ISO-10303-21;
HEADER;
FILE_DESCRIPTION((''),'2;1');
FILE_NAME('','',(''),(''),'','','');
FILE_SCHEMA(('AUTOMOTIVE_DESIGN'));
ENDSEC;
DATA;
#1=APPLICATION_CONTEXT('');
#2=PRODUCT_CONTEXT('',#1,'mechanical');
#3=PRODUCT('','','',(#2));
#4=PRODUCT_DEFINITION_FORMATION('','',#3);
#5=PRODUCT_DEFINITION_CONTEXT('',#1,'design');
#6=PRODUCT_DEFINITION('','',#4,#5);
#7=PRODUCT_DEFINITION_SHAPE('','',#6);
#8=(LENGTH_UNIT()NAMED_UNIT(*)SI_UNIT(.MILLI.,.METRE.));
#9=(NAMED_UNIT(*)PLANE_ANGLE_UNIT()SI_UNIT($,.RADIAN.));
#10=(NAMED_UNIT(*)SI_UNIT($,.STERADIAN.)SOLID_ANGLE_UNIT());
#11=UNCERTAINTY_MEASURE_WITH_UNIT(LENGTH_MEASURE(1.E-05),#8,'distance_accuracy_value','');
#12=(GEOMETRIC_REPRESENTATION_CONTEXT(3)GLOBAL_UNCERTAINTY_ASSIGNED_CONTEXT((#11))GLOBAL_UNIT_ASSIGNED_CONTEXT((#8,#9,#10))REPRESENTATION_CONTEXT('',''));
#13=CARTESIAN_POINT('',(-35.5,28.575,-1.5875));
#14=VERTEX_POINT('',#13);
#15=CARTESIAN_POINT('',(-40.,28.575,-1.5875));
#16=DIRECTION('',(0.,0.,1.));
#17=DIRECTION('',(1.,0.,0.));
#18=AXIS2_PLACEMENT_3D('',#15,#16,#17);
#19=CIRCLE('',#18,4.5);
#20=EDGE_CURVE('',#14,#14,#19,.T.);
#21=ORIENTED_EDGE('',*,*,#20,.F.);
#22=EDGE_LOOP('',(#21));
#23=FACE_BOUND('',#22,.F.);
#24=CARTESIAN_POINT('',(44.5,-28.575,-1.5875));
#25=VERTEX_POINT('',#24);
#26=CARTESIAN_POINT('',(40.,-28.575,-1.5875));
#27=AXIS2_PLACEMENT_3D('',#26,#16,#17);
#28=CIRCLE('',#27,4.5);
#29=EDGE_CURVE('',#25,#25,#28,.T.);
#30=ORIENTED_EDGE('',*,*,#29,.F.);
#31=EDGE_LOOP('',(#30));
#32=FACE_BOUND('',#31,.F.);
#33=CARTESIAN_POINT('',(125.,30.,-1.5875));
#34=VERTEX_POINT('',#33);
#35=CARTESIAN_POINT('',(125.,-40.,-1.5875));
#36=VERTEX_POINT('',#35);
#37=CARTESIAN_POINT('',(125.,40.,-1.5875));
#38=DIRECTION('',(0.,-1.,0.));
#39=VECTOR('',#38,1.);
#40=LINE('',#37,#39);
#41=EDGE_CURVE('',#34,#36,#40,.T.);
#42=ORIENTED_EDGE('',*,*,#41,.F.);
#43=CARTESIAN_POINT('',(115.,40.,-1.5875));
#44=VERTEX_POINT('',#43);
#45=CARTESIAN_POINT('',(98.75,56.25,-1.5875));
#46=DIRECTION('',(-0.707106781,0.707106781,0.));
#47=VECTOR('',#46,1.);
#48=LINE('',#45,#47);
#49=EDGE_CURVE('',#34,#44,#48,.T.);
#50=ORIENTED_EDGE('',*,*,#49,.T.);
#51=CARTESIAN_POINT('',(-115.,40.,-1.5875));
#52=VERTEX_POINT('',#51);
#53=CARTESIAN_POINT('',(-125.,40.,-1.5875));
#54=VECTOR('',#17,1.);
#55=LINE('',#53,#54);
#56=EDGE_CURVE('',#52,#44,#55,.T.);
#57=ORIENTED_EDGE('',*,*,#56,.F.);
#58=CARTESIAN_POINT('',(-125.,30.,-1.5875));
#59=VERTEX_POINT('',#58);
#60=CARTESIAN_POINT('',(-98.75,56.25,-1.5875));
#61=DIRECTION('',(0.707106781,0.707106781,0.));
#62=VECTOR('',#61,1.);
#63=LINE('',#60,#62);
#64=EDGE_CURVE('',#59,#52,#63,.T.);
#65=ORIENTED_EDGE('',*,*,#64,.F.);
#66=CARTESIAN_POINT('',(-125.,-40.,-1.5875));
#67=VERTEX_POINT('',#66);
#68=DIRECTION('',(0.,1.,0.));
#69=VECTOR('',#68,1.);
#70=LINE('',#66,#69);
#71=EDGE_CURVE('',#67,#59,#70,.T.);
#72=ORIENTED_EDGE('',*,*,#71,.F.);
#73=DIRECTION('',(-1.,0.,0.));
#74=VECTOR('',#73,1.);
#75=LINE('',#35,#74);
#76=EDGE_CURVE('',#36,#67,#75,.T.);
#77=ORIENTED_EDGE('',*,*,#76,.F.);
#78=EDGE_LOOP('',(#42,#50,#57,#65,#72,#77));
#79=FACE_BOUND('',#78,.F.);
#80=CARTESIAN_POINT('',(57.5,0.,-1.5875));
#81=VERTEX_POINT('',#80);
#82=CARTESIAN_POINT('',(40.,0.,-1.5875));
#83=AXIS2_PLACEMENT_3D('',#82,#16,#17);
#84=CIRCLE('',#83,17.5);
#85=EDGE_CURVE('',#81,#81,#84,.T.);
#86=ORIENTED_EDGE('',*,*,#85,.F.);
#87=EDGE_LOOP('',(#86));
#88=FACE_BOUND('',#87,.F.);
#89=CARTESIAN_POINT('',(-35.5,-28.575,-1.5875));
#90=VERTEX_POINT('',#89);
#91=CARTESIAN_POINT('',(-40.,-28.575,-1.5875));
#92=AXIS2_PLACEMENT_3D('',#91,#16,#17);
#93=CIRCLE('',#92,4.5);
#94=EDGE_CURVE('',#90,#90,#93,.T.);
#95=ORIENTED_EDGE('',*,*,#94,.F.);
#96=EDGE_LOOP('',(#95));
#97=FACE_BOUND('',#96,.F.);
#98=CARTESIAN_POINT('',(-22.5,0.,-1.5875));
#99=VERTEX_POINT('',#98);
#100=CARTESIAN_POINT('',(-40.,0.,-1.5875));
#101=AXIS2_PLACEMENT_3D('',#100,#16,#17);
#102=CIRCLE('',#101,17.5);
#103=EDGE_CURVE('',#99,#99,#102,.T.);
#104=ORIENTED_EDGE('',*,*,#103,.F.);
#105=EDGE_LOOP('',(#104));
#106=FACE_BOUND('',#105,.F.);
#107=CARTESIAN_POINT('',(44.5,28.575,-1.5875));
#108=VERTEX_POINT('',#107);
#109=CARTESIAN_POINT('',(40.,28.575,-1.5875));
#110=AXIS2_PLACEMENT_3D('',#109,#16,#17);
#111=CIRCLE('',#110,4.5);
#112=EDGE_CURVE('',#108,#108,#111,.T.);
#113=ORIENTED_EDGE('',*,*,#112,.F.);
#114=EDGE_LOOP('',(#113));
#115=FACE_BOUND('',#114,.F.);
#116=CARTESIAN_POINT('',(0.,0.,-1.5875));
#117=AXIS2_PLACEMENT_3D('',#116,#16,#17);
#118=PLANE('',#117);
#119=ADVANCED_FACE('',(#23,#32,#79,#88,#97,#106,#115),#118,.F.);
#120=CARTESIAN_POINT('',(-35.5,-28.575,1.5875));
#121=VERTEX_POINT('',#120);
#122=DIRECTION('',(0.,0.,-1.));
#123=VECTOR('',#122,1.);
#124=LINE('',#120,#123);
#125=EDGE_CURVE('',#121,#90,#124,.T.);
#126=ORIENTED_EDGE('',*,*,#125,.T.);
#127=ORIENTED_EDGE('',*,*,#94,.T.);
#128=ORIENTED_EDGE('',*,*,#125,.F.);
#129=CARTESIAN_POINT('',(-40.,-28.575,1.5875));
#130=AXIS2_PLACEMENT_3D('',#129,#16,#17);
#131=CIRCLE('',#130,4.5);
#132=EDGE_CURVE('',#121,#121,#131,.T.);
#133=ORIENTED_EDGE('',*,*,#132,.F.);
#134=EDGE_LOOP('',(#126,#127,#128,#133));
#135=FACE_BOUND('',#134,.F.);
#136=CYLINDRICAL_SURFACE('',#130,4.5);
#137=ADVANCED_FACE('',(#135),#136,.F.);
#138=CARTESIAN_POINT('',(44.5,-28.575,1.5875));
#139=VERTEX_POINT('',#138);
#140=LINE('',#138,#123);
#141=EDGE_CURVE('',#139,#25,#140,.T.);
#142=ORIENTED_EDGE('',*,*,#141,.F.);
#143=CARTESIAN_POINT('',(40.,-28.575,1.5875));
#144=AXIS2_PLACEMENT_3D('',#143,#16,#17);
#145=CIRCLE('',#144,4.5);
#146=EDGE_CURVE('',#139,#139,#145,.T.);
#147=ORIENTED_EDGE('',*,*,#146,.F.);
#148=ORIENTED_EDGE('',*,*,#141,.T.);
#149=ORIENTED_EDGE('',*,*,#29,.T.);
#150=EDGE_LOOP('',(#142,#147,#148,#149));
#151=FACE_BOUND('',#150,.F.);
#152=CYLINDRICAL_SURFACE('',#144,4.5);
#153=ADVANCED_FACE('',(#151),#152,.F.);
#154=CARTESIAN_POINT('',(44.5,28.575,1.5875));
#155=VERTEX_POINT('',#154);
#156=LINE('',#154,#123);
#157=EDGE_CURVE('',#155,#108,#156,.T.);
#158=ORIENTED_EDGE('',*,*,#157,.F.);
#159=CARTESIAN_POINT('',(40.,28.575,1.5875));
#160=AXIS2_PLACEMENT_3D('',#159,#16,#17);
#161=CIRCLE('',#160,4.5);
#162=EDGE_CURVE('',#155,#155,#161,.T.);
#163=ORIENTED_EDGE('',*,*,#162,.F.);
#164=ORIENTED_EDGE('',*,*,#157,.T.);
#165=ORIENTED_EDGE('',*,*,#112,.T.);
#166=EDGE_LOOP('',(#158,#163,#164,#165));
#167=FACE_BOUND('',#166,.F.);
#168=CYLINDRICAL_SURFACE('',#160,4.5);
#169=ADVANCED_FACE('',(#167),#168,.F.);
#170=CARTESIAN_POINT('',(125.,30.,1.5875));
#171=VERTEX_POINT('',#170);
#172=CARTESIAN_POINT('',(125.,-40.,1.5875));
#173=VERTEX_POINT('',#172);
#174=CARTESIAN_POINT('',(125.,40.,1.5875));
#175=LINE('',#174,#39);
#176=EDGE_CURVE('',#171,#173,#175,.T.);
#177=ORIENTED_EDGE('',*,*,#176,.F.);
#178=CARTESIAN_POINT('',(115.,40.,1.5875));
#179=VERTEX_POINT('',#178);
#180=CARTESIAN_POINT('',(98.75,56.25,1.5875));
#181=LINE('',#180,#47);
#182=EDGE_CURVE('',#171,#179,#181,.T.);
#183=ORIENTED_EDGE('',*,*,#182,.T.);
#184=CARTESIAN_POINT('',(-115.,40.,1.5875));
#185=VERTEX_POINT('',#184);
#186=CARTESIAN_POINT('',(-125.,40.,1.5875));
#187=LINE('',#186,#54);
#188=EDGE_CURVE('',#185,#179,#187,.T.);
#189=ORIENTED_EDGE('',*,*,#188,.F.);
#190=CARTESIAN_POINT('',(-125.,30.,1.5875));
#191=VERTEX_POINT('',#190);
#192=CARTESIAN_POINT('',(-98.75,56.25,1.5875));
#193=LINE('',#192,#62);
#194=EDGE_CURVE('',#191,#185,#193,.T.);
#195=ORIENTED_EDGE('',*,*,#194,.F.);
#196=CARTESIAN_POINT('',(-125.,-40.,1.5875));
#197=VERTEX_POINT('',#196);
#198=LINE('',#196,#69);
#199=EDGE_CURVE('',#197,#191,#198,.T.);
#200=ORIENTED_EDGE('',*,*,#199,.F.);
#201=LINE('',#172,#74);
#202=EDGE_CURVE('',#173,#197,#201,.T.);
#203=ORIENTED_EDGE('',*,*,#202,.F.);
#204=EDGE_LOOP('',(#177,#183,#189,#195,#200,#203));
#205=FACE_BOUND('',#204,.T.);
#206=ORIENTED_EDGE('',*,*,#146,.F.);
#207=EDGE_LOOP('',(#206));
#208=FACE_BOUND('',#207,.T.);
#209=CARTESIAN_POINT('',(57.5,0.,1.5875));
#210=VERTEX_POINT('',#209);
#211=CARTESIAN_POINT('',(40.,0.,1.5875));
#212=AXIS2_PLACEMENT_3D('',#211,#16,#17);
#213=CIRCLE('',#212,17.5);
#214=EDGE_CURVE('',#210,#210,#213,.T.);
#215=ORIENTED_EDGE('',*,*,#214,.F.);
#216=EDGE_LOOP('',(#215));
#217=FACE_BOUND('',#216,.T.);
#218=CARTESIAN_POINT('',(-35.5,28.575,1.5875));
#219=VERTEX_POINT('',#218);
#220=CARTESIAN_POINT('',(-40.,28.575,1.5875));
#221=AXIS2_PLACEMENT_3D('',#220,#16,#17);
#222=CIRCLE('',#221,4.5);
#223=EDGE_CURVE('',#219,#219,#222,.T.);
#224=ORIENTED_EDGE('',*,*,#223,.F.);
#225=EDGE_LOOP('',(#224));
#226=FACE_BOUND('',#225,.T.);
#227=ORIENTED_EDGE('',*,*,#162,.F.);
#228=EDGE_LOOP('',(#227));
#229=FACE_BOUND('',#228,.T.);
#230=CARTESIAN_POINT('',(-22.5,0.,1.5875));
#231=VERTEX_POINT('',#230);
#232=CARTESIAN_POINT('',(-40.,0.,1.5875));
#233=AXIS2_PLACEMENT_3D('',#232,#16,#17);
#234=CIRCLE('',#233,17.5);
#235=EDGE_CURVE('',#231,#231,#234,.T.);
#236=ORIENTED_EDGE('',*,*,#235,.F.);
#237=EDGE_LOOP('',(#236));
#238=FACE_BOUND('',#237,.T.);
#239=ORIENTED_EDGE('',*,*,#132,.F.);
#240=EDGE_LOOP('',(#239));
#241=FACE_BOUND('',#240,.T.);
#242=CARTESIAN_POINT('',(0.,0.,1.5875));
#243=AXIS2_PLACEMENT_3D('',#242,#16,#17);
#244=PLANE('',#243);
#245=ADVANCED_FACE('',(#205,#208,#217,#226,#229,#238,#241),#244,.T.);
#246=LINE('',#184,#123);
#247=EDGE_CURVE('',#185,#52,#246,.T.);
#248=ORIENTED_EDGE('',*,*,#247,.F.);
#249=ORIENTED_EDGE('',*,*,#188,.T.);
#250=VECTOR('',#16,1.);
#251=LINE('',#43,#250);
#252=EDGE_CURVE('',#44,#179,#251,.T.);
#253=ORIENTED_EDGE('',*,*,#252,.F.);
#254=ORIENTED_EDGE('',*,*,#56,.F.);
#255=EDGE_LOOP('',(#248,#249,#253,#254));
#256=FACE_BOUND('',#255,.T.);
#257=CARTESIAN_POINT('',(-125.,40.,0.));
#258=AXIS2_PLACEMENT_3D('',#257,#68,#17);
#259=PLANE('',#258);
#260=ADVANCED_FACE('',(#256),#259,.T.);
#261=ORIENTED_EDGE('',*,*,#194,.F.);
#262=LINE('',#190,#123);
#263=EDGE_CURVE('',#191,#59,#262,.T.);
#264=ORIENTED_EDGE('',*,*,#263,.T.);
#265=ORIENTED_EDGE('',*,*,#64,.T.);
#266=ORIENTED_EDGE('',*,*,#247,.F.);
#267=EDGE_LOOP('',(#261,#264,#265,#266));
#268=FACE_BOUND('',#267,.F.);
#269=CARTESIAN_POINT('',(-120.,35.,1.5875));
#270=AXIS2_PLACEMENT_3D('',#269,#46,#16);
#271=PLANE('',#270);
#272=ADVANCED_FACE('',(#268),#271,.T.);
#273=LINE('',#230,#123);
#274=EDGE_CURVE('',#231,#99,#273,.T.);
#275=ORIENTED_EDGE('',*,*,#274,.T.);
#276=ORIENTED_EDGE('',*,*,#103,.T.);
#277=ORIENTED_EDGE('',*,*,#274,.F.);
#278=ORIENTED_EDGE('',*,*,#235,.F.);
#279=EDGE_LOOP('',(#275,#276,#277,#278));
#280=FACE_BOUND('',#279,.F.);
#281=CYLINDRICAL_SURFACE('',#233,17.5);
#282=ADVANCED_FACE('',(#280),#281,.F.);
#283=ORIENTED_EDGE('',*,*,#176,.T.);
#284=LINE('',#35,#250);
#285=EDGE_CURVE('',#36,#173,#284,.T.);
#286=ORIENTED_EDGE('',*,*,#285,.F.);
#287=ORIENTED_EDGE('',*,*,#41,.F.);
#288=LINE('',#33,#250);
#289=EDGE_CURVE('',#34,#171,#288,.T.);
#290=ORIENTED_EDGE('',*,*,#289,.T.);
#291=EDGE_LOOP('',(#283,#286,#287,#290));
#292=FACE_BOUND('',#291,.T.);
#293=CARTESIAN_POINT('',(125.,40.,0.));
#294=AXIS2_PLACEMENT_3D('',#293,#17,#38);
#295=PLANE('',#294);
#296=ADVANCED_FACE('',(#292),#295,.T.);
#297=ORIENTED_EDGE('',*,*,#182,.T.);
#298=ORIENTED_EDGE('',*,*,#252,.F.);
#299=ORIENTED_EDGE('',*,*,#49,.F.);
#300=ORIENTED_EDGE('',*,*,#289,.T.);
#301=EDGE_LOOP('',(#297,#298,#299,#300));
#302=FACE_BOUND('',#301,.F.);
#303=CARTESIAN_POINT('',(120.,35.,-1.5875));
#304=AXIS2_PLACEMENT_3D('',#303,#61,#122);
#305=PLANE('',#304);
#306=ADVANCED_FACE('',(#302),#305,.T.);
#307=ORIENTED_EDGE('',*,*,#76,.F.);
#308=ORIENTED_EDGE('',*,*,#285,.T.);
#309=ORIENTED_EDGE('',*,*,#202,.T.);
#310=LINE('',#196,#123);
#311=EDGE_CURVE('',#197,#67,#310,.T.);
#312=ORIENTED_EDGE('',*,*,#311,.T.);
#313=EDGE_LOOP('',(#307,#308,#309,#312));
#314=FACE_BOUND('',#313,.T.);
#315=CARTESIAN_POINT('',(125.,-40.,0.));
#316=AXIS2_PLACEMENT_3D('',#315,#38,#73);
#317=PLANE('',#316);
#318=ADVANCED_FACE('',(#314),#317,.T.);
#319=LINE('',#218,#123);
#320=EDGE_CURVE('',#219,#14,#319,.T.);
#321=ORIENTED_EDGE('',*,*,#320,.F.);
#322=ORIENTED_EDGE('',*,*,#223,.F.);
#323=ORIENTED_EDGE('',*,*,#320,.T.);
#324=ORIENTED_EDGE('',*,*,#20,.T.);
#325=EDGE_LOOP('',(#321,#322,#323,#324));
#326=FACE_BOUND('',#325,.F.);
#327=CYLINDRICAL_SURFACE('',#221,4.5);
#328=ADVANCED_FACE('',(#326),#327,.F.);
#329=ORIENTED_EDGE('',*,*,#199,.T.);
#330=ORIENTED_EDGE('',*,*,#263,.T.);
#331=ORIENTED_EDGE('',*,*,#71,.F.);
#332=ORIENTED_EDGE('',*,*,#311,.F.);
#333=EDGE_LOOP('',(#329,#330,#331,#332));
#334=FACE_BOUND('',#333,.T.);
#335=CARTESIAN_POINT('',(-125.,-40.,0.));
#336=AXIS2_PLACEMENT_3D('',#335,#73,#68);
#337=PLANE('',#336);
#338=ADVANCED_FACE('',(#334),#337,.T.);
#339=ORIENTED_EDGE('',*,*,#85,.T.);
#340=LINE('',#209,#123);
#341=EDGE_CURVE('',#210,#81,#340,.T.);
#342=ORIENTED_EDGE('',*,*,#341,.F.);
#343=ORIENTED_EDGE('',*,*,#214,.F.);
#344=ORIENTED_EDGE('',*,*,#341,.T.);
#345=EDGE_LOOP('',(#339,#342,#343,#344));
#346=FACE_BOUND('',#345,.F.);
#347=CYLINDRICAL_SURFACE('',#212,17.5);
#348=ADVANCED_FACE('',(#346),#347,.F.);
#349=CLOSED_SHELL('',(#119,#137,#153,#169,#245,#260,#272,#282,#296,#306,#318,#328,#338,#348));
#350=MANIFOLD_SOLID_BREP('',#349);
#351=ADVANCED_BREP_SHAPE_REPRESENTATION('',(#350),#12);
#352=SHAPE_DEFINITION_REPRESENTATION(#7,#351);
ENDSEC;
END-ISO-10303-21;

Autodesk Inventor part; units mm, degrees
ref_plane "YZ Plane" through (0, 0, 0) normal (1, 0, 0) x (0, 1, 0)
ref_plane "XZ Plane" through (0, 0, 0) normal (0, 1, 0) x (-1, 0, 0)
ref_plane "XY Plane" through (0, 0, 0) normal (0, 0, 1) x (1, 0, 0)
sketch "Sketch1" plane through (0, 0, 0) normal (0, 0, 1) x (1, 0, 0)
  line L0 (125, -40) -> (-125, -40)
  line L1 (-125, -40) -> (-125, 40)
  line L2 (-125, 40) -> (125, 40)
  line L3 (125, 40) -> (125, -40)
  line L4 (0, 56) -> (0, -56) construction
  line L5 (-175, 0) -> (175, 0) construction
  point P0 (0, 0)
  dimension "d0" = 250
  dimension "d1" = 80
extrude "Extrusion1" add sketch "Sketch1" along normal mid plane 3.175
sketch "Sketch2" plane through (0, 0, 1.5875) normal (0, 0, 1) x (1, 0, 0)
  line L0 (0, 56) -> (0, -56) construction
  line L1 (-175, 0) -> (175, 0) construction
  line L2 (-125, -40) -> (125, -40) projected
  circle A0 centre (-40, 0) radius 17.5
  circle A1 centre (40, 0) radius 17.5
  line L3 (-40, -28.575) -> (-40, 28.575) construction
  circle A2 centre (-40, 28.575) radius 4.5
  circle A3 centre (-40, -28.575) radius 4.5
  circle A4 centre (40, -28.575) radius 4.5
  circle A5 centre (40, 28.575) radius 4.5
  point P0 (0, 0)
  dimension "d4" = 40
  dimension "d5" = 80
  dimension "d6" = 35
  dimension "d7" = 57.15
  dimension "d8" = 9
extrude "Extrusion2" cut sketch "Sketch2" against normal up to surface (3.175 mm away)
chamfer "Chamfer1" distance 10 angle 45 2 edges at (125, 40, 0) (-125, 40, 0)
properties part number "Pedalbox_V2_Vert_Rectangle"
